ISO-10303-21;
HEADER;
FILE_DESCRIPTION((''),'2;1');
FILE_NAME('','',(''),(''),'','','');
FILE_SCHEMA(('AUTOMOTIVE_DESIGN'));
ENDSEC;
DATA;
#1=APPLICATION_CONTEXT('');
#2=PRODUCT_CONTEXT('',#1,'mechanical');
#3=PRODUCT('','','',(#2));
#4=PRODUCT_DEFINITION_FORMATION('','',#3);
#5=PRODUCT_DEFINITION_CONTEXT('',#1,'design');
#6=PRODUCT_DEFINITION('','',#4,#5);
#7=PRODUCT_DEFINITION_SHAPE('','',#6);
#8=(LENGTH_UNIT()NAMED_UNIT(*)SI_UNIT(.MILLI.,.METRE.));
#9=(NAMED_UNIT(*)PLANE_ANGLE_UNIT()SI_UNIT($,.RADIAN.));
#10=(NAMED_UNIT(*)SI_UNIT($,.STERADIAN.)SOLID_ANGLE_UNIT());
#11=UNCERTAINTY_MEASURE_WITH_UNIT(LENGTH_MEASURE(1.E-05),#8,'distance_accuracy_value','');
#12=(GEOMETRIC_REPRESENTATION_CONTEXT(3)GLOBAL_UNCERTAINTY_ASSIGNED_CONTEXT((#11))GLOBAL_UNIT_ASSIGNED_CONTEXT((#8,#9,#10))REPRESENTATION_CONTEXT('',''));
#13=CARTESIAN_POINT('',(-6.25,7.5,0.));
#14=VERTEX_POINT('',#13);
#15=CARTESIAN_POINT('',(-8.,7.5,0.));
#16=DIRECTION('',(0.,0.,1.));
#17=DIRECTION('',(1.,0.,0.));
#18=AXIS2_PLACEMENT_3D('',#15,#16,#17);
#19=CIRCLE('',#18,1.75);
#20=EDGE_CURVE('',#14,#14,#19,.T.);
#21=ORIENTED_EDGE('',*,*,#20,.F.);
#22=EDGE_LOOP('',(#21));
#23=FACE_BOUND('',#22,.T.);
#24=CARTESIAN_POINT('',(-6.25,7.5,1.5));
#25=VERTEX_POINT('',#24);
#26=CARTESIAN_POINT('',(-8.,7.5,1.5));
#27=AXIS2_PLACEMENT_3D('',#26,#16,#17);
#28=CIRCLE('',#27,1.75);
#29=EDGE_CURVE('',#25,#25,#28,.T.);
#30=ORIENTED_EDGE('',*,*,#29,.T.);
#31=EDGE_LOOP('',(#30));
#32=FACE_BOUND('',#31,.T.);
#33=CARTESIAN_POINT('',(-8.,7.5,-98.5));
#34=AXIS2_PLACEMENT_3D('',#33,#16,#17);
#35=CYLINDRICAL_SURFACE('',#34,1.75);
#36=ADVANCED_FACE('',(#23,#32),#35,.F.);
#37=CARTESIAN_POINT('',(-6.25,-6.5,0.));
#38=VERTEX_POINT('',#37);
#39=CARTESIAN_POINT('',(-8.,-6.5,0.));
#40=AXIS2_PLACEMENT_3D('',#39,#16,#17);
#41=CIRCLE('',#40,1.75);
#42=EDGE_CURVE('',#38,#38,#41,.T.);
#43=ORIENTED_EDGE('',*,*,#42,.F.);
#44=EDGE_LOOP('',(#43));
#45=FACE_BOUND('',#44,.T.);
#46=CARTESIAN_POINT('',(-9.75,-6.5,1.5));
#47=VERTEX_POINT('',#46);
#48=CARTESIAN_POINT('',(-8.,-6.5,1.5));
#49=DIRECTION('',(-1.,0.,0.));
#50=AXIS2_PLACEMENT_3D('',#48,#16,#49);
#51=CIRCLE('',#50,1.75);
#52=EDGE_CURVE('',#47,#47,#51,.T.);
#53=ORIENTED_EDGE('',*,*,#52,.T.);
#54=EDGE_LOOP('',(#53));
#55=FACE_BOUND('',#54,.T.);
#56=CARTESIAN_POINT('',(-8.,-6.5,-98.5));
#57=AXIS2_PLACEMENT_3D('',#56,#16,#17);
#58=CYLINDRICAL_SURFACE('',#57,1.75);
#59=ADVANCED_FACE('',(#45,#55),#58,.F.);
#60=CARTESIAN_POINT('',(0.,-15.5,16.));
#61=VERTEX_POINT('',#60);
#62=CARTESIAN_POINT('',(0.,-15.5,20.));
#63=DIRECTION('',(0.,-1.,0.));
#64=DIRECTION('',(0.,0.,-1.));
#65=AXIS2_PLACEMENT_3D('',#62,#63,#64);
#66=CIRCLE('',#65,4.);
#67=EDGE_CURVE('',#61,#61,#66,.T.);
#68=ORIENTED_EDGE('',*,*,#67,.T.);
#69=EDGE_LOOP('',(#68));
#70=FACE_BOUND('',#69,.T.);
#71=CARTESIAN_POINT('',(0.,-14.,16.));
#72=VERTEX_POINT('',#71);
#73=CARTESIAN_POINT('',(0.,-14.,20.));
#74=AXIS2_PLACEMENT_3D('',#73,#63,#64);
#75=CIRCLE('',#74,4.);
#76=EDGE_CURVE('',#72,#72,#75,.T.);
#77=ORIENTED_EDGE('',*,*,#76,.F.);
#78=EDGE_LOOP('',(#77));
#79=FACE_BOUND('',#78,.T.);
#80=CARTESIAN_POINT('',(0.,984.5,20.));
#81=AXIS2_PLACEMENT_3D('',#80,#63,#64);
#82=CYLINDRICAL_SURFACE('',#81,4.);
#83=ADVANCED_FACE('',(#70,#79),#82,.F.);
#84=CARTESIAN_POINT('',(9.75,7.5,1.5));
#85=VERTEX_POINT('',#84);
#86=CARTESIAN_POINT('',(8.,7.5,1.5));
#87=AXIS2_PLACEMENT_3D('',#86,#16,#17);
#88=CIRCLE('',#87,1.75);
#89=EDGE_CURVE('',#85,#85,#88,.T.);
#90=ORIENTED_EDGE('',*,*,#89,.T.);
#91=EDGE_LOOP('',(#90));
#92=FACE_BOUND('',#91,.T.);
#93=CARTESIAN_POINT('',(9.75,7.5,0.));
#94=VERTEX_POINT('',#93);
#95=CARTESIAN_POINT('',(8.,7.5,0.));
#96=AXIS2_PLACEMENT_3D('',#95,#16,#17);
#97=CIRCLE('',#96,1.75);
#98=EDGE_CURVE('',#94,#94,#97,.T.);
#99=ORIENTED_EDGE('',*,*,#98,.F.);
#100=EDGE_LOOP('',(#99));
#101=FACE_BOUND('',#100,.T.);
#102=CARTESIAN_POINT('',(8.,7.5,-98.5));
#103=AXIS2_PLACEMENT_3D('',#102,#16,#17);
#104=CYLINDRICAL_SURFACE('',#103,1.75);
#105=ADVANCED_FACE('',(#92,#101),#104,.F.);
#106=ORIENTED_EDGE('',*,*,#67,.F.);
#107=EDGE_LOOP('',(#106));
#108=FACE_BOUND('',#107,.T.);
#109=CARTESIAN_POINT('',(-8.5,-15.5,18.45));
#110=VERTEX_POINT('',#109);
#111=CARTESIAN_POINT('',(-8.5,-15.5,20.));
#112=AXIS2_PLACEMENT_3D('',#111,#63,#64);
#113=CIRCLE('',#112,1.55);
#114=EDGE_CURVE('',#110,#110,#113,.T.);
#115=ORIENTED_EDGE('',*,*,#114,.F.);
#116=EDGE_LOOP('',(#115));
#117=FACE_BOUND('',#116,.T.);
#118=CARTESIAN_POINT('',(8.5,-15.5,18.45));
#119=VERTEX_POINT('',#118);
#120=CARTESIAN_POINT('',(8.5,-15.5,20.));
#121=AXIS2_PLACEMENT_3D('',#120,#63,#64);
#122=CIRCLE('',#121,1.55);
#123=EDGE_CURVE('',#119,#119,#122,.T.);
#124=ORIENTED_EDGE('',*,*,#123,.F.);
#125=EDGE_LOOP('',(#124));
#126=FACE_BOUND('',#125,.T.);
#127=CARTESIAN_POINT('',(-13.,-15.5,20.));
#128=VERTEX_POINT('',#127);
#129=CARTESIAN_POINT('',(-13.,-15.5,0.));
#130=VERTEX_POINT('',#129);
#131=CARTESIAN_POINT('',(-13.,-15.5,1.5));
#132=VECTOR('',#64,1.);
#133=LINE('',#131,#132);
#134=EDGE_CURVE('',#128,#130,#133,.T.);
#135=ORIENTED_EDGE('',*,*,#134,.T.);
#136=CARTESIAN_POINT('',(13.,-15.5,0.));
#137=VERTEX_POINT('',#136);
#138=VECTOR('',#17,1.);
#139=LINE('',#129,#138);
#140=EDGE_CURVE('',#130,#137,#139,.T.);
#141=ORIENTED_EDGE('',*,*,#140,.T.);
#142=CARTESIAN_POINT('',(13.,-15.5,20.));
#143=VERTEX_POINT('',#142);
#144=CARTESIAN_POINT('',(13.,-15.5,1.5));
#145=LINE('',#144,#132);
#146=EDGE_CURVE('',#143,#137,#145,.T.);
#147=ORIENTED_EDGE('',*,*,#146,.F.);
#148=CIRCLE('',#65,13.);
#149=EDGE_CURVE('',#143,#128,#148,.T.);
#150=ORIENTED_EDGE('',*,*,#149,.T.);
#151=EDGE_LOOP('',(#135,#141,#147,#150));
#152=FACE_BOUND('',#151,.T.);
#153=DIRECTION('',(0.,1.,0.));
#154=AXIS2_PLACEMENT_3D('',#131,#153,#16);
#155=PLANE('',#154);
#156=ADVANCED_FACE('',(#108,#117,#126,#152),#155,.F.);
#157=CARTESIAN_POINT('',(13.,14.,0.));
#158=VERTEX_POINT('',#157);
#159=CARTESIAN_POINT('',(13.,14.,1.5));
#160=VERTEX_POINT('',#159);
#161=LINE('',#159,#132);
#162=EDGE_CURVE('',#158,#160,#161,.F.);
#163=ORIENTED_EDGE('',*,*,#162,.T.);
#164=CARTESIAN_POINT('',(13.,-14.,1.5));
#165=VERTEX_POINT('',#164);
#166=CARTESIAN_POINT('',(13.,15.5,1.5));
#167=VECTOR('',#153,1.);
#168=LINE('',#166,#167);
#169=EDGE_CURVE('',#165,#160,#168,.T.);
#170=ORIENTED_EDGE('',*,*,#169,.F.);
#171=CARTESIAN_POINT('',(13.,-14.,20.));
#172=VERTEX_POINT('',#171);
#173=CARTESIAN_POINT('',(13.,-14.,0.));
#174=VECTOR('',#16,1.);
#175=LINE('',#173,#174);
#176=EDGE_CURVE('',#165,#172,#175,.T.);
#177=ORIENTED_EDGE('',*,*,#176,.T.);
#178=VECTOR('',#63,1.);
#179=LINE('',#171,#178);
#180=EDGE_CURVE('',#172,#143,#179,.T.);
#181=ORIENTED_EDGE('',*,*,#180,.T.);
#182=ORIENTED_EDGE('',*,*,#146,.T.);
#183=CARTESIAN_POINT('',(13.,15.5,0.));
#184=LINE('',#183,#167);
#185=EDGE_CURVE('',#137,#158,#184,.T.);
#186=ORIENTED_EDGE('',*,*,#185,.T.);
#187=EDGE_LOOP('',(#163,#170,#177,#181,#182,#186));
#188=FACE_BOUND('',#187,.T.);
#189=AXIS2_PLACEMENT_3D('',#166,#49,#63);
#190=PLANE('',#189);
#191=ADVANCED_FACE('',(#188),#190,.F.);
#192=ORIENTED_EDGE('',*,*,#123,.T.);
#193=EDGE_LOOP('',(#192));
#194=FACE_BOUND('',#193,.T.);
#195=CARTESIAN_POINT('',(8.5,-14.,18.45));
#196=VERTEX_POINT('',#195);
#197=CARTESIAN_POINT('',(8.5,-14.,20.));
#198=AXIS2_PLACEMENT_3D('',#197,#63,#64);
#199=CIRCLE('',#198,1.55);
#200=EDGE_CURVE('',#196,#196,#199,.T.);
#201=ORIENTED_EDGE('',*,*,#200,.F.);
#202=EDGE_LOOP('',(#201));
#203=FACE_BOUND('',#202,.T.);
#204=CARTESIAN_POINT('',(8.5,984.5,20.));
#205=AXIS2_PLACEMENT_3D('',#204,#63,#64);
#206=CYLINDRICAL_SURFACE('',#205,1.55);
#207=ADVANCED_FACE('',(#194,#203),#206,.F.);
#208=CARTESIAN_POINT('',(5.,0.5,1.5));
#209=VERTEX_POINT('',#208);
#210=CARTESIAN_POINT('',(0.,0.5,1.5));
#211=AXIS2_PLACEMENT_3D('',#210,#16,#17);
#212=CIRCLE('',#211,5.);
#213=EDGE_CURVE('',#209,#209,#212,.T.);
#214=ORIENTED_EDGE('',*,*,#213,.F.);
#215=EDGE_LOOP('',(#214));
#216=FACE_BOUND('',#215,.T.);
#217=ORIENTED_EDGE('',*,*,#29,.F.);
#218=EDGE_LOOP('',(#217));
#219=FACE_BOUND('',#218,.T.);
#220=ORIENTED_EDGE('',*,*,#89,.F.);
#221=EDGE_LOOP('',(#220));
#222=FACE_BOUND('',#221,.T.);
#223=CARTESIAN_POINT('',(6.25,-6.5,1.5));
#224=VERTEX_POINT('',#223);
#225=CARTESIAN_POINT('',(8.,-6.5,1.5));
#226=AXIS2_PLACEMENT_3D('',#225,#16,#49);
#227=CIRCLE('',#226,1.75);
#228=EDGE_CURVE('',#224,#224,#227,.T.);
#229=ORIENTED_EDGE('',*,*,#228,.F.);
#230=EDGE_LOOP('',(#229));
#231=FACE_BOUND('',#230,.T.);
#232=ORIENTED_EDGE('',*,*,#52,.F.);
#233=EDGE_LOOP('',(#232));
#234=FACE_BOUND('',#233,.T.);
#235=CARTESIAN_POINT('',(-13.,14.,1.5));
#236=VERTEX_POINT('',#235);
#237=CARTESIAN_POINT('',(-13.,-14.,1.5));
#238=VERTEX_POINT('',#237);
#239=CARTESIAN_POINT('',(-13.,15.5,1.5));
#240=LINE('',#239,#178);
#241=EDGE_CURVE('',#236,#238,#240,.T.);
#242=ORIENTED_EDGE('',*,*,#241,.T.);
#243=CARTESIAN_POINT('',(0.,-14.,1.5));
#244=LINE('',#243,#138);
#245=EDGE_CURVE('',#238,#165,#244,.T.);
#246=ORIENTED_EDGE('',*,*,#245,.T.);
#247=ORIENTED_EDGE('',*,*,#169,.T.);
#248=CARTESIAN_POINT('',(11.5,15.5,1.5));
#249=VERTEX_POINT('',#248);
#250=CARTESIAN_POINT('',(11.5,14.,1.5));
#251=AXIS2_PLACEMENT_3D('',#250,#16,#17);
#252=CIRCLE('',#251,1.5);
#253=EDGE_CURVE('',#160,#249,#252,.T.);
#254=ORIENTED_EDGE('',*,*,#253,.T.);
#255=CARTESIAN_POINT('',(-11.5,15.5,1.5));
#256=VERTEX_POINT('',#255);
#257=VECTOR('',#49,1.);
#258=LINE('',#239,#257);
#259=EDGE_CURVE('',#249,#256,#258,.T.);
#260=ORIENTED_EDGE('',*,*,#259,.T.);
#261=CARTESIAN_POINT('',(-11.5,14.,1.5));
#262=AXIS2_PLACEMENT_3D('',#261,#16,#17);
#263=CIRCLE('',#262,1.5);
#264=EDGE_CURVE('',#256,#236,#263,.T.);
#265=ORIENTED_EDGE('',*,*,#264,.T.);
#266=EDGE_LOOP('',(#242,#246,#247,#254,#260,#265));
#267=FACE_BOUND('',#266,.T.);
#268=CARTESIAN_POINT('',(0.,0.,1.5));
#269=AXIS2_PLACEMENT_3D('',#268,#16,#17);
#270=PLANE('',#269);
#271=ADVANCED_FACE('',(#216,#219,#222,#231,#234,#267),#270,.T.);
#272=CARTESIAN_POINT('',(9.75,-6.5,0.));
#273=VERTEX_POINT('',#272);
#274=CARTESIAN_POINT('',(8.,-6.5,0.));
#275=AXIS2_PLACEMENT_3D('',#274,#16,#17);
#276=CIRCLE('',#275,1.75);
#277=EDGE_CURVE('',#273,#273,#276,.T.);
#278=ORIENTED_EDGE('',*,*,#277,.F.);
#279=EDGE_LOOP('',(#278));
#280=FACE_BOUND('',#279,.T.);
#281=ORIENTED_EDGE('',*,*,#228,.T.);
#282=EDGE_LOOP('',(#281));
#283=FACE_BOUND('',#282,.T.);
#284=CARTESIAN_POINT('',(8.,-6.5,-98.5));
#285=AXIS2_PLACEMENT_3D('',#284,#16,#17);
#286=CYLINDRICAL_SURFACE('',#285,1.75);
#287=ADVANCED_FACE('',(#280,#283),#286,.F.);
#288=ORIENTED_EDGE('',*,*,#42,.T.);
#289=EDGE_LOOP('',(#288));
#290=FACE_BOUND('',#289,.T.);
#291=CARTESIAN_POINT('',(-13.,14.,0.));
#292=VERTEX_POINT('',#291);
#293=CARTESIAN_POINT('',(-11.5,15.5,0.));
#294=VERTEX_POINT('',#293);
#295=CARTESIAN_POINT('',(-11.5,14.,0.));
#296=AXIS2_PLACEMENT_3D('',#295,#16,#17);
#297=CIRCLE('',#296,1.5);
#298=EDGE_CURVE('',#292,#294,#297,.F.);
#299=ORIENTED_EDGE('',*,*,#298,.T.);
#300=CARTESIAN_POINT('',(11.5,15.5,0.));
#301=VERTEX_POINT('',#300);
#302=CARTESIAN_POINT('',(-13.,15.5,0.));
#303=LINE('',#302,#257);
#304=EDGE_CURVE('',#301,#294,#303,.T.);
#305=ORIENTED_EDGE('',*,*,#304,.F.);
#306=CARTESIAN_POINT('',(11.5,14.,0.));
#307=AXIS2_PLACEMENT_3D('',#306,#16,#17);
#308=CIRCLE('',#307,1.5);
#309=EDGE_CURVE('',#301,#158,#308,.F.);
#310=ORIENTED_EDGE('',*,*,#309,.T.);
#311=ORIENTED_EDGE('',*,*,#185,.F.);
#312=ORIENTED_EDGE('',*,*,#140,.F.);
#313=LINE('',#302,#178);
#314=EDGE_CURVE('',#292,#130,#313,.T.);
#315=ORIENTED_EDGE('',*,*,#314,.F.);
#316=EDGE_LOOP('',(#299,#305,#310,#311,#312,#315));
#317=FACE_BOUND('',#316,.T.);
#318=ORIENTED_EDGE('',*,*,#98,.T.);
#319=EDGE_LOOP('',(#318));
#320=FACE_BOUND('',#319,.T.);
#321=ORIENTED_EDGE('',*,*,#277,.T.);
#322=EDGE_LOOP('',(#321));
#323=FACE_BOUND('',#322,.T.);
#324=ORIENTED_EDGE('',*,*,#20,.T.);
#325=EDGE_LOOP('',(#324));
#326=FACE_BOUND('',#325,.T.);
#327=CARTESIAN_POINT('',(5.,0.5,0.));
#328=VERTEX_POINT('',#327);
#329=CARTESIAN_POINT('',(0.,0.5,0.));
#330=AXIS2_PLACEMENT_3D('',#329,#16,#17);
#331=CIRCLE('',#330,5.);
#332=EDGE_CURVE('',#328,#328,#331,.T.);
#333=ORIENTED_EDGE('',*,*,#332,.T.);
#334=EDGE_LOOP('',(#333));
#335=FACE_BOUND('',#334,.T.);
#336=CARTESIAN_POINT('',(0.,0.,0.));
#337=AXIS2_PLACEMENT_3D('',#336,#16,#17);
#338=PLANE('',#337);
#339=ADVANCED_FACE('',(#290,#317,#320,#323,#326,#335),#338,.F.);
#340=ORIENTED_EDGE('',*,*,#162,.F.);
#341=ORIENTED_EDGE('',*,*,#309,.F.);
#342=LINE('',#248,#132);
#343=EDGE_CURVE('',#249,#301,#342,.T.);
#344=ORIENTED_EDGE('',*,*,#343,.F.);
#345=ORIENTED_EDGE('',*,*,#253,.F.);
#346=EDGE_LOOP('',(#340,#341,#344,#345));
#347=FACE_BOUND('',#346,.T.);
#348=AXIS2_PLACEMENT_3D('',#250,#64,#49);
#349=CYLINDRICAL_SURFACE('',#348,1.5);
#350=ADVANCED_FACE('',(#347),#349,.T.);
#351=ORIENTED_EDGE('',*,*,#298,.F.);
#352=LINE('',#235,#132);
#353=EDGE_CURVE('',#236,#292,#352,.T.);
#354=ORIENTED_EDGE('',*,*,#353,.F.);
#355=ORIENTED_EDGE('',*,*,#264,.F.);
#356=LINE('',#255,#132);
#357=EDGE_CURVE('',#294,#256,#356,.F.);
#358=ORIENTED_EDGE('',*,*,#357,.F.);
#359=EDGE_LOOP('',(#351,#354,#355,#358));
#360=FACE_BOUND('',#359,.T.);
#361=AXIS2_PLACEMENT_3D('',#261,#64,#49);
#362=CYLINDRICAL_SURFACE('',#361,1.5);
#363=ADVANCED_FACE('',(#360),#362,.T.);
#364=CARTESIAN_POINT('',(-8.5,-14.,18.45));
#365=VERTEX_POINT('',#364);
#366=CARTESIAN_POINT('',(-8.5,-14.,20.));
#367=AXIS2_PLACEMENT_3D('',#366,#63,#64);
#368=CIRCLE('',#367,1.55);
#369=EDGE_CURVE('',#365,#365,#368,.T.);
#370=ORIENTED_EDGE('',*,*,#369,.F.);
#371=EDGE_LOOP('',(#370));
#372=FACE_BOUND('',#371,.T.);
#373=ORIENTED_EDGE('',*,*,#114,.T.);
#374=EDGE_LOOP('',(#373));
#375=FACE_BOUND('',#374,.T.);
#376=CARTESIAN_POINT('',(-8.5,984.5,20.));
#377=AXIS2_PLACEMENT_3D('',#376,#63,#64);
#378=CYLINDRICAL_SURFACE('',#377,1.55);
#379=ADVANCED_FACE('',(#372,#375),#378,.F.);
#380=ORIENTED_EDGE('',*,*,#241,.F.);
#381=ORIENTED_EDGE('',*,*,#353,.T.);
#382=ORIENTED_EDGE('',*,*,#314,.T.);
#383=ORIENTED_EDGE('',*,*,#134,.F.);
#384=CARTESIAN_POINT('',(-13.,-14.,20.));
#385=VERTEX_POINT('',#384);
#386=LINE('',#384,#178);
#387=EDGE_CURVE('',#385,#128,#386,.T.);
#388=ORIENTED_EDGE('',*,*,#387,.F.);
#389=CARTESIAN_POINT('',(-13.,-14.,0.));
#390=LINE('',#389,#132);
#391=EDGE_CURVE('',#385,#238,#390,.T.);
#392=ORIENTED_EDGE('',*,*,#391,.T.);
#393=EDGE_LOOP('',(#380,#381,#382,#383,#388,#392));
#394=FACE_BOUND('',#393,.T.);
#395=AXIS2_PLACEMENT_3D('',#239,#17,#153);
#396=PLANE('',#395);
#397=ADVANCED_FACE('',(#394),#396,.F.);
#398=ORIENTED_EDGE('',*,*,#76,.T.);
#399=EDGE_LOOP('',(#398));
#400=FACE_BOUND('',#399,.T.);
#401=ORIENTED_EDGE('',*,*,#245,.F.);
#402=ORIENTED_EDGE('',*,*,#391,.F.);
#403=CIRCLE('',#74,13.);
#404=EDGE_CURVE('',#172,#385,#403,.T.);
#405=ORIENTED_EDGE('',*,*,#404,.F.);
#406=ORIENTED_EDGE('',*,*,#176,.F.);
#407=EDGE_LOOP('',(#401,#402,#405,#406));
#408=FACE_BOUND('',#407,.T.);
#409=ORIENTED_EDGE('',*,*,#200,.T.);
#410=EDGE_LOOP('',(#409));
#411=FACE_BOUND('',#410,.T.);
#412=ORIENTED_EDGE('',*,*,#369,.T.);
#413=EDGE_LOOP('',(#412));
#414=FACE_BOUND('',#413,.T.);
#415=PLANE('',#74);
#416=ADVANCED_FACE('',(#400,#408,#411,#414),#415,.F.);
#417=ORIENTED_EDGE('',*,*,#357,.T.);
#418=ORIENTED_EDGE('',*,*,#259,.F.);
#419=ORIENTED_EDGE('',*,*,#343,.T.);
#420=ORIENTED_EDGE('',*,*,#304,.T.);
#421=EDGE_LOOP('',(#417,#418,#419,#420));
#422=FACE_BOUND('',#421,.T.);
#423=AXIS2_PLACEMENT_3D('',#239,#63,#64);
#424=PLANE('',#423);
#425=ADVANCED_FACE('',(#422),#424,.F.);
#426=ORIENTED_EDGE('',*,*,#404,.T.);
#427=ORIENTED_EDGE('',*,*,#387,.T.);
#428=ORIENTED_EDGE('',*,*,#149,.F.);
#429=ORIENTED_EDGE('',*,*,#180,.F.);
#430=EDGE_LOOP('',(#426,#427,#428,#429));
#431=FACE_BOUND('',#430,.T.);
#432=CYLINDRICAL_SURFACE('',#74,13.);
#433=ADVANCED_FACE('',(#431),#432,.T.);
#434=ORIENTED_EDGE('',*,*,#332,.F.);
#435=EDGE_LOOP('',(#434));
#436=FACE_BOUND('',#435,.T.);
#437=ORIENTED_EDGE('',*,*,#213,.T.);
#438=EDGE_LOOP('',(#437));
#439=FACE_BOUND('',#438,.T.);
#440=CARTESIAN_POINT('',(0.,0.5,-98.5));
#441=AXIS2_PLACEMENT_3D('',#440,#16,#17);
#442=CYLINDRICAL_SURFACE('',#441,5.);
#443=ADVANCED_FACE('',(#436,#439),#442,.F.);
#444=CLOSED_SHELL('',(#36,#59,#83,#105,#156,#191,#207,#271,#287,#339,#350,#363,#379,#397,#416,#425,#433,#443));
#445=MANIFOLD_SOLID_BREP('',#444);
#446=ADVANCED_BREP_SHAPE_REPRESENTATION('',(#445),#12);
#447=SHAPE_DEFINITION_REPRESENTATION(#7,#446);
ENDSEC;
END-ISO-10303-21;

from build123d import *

# Parameters (mm, degrees)
SKETCH_1_W          = 26
SKETCH_1_H          = 31
EXTRUDE_1_DEPTH     = 1.5
EXTRUDE_2_DEPTH     = 1.5
SKETCH_3_R          = 4
SKETCH_3_R_2        = 1.55
CUT_EXTRUDE_1_DEPTH = 1000
FILLET_1_R          = 1.5
SKETCH_4_R          = 5
SKETCH_4_R_2        = 1.75
CUT_EXTRUDE_2_DEPTH = 100


with BuildPart() as part:
    # 草图1 → 凸台-拉伸1 (new body)
    with BuildSketch(Plane.XY):
        Rectangle(SKETCH_1_W, SKETCH_1_H)
    extrude(amount=EXTRUDE_1_DEPTH)

    # 草图2 → 凸台-拉伸2 (add)
    with BuildSketch(Plane.XZ.offset(15.5)):
        with BuildLine():
            Line((-13, 0), (13, 0))
            Line((13, 0), (13, 20))
            ThreePointArc((13, 20), (0, 33), (-13, 20))
            Line((-13, 20), (-13, 0))
        make_face()
    extrude(amount=-EXTRUDE_2_DEPTH)

    # 草图3 → 切除-拉伸1 (cut)
    with BuildSketch(Plane.XZ.offset(15.5)):
        with Locations(Location((0, 20, 0), (0, 0, 270))):
            Circle(SKETCH_3_R)
        with Locations(Location((8.5, 20, 0), (0, 0, 270))):
            Circle(SKETCH_3_R_2)
        with Locations(Location((-8.5, 20, 0), (0, 0, 270))):
            Circle(SKETCH_3_R_2)
    extrude(amount=-CUT_EXTRUDE_1_DEPTH, mode=Mode.SUBTRACT)

    # 圆角1
    fillet_1_edges = [part.edges().sort_by_distance(p)[0] for p in [
        (-13, 15.5, 0.75),
        (13, 15.5, 0.75),
    ]]
    fillet(fillet_1_edges, radius=FILLET_1_R)

    # 草图4 → 切除-拉伸2 (cut)
    with BuildSketch(Plane.XY.offset(1.5)):
        with Locations((0, 0.5)):
            Circle(SKETCH_4_R)
        with Locations((-8, 7.5)):
            Circle(SKETCH_4_R_2)
        with Locations((8, 7.5)):
            Circle(SKETCH_4_R_2)
        with Locations((-8, -6.5)):
            Circle(SKETCH_4_R_2)
        with Locations((8, -6.5)):
            Circle(SKETCH_4_R_2)
    extrude(amount=-CUT_EXTRUDE_2_DEPTH, mode=Mode.SUBTRACT)


solid = part.part
